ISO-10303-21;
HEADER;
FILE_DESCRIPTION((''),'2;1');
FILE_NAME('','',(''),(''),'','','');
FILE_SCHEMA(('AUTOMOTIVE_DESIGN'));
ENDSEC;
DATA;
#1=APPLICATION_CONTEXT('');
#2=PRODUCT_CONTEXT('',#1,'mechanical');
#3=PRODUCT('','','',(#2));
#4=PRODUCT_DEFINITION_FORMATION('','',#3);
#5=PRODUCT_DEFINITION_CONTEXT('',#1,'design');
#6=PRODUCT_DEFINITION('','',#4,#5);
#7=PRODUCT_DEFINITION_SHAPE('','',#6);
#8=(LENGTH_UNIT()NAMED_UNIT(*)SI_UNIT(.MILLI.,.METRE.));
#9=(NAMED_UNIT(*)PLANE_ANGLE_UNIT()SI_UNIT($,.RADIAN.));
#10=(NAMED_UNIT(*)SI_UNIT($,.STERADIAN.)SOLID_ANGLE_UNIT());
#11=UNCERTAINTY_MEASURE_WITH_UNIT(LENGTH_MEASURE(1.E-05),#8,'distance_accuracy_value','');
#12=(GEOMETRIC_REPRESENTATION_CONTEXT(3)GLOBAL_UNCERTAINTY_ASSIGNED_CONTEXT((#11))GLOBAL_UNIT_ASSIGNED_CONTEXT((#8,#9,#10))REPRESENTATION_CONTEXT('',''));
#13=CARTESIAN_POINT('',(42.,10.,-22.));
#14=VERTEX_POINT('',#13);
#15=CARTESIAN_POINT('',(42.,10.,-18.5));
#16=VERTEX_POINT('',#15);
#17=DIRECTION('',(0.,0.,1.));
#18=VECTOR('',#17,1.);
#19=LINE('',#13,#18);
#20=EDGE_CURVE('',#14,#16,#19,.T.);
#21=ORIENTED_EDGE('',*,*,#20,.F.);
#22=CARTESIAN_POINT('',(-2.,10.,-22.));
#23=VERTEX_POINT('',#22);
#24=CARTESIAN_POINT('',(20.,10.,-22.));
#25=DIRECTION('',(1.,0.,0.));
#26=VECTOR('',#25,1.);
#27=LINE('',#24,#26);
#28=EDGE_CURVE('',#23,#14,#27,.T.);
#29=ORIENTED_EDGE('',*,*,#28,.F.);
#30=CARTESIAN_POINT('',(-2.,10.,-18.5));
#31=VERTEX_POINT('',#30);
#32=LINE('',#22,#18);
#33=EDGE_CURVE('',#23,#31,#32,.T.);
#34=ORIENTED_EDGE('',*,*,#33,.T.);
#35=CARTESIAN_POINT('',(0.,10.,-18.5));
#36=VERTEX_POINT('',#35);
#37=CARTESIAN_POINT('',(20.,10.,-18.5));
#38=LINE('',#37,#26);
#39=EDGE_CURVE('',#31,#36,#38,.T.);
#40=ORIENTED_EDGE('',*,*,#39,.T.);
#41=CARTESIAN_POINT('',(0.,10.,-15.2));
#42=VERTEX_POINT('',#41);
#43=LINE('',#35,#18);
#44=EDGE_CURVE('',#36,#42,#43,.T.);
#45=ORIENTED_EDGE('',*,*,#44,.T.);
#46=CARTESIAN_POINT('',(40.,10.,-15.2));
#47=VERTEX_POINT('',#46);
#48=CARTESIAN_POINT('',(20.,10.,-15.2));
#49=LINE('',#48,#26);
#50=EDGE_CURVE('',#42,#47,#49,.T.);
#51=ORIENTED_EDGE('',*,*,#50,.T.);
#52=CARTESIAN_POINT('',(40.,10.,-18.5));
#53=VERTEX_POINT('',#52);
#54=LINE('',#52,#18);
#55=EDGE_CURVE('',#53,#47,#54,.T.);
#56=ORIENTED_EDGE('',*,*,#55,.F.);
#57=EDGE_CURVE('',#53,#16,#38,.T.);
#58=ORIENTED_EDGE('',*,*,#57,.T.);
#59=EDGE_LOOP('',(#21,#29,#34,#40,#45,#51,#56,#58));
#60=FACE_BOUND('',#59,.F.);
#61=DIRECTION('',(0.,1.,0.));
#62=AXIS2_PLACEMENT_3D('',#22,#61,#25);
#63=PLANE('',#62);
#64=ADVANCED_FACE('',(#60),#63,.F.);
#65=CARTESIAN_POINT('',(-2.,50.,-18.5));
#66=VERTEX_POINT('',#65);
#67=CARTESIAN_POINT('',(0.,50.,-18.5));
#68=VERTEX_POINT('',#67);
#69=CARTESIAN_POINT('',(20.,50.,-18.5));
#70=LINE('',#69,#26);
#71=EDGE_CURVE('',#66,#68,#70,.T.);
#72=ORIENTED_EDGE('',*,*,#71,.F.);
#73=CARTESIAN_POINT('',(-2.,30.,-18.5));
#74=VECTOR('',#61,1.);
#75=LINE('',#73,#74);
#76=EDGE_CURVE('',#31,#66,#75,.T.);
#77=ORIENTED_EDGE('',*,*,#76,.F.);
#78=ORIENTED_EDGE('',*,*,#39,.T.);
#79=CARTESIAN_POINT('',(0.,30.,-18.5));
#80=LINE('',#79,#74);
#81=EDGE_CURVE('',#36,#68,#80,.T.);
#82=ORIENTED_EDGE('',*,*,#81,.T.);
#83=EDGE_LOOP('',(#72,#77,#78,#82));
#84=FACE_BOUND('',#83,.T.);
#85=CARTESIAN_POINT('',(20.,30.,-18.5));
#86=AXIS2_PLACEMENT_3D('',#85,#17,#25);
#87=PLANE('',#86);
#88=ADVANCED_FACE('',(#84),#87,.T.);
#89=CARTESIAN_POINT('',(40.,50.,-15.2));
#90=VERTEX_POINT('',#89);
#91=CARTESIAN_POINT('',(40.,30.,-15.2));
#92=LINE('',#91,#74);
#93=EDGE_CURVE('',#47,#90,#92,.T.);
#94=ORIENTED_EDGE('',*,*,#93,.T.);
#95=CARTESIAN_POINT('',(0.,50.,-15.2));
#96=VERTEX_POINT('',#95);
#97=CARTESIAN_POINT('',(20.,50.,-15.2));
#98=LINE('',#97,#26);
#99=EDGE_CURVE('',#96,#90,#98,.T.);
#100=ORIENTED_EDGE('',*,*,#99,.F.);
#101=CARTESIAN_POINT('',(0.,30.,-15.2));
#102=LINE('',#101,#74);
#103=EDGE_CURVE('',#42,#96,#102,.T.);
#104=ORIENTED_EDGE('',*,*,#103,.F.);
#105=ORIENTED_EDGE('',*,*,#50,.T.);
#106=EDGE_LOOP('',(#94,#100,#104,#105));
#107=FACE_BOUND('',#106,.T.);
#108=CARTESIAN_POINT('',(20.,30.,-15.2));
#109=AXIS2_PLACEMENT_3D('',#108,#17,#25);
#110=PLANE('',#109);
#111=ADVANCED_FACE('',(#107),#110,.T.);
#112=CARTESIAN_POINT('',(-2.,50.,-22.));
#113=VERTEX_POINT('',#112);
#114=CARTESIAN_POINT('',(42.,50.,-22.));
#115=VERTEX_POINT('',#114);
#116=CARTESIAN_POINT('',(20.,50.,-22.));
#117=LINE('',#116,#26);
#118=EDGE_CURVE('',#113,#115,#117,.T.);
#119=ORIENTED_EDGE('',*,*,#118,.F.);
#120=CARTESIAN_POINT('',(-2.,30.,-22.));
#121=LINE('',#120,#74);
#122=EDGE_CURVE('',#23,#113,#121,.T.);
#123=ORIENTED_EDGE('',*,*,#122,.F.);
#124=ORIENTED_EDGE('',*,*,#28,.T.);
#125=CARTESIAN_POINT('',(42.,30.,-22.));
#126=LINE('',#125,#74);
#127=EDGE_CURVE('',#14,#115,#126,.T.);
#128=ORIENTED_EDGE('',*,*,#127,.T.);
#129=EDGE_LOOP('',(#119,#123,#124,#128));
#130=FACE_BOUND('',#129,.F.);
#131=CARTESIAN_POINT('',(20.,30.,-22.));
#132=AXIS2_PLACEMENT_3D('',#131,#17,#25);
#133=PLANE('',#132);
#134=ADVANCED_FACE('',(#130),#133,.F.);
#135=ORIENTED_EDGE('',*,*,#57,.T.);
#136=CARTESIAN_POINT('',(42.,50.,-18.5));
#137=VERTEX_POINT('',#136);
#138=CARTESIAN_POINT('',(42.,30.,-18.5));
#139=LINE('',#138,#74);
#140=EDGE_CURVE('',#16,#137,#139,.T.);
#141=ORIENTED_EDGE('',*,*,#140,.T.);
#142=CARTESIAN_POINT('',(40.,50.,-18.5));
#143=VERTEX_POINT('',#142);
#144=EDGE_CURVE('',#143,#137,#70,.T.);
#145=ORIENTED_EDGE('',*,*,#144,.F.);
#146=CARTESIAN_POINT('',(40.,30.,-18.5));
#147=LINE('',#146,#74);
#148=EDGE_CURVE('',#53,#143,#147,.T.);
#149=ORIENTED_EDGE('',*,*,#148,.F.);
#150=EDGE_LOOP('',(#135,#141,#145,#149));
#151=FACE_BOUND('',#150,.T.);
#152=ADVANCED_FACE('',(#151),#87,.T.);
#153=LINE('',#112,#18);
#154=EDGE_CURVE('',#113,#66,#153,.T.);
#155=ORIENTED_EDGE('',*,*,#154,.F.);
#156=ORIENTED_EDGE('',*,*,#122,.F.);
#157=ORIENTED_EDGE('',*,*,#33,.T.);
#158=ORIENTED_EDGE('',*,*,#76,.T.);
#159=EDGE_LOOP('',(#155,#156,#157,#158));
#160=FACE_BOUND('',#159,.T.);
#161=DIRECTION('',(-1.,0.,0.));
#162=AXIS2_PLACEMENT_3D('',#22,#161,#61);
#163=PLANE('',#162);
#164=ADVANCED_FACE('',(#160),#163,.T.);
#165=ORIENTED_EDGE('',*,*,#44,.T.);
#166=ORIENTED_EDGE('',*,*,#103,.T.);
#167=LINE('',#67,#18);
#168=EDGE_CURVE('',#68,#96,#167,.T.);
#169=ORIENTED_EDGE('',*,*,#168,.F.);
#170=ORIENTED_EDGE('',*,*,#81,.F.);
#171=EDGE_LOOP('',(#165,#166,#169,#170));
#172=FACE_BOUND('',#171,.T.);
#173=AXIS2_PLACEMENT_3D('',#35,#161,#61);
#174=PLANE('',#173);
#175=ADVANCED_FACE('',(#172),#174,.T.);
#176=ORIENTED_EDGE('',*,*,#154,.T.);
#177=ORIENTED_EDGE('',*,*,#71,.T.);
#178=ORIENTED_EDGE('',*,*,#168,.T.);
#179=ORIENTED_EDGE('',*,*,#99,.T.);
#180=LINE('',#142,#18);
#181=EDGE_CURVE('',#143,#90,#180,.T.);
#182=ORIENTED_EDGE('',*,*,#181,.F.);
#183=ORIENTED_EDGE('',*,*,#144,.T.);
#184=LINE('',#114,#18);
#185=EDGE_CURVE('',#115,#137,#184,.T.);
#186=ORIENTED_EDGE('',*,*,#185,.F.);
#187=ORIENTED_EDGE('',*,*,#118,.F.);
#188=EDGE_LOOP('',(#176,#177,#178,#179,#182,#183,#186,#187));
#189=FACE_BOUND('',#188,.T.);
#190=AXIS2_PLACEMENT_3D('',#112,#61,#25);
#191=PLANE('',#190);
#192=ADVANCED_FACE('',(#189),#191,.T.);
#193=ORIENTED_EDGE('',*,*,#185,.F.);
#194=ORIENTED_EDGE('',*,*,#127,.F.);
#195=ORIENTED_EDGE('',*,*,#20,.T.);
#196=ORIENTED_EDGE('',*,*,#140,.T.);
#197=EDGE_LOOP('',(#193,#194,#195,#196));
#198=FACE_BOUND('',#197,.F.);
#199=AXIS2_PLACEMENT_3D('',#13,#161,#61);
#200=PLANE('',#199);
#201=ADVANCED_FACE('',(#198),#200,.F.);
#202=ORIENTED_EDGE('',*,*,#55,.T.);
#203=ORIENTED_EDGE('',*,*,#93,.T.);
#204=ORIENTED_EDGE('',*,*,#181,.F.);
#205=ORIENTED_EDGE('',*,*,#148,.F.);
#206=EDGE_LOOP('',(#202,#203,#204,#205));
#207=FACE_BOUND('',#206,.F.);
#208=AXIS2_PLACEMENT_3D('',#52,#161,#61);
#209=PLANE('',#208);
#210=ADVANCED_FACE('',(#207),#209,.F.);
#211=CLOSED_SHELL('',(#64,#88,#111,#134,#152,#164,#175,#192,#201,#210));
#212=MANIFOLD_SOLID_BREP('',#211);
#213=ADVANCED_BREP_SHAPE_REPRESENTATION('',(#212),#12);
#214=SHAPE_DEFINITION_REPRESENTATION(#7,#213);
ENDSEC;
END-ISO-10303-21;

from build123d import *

# Parameters (mm, degrees)
BOX003_W     = 44
BOX003_H     = 40
BOX003_DEPTH = 3.5
BOX002_W     = 40
BOX002_H     = 40
BOX002_DEPTH = 3.3


with BuildPart() as radiator:
    # Box003 → Box003 (new body)
    with BuildSketch(Plane(origin=(-2, 0, -3.5), x_dir=(1, 0, 0), z_dir=(0, 0, 1))):
        with Locations((22, 20)):
            Rectangle(BOX003_W, BOX003_H)
    extrude(amount=BOX003_DEPTH)


with BuildPart() as peltier_and_radiator:
    # Box002 → Box002 (new body)
    with BuildSketch(Plane.XY):
        with Locations((20, 20)):
            Rectangle(BOX002_W, BOX002_H)
    extrude(amount=BOX002_DEPTH)

    # Fusion003: union radiator
    add(radiator.part)


with BuildPart() as peltier_and_radiator_1:
    # Fusion003 placement: moved
    add(peltier_and_radiator.part.moved(Location((0, 10, -18.5))))


solid = peltier_and_radiator_1.part
